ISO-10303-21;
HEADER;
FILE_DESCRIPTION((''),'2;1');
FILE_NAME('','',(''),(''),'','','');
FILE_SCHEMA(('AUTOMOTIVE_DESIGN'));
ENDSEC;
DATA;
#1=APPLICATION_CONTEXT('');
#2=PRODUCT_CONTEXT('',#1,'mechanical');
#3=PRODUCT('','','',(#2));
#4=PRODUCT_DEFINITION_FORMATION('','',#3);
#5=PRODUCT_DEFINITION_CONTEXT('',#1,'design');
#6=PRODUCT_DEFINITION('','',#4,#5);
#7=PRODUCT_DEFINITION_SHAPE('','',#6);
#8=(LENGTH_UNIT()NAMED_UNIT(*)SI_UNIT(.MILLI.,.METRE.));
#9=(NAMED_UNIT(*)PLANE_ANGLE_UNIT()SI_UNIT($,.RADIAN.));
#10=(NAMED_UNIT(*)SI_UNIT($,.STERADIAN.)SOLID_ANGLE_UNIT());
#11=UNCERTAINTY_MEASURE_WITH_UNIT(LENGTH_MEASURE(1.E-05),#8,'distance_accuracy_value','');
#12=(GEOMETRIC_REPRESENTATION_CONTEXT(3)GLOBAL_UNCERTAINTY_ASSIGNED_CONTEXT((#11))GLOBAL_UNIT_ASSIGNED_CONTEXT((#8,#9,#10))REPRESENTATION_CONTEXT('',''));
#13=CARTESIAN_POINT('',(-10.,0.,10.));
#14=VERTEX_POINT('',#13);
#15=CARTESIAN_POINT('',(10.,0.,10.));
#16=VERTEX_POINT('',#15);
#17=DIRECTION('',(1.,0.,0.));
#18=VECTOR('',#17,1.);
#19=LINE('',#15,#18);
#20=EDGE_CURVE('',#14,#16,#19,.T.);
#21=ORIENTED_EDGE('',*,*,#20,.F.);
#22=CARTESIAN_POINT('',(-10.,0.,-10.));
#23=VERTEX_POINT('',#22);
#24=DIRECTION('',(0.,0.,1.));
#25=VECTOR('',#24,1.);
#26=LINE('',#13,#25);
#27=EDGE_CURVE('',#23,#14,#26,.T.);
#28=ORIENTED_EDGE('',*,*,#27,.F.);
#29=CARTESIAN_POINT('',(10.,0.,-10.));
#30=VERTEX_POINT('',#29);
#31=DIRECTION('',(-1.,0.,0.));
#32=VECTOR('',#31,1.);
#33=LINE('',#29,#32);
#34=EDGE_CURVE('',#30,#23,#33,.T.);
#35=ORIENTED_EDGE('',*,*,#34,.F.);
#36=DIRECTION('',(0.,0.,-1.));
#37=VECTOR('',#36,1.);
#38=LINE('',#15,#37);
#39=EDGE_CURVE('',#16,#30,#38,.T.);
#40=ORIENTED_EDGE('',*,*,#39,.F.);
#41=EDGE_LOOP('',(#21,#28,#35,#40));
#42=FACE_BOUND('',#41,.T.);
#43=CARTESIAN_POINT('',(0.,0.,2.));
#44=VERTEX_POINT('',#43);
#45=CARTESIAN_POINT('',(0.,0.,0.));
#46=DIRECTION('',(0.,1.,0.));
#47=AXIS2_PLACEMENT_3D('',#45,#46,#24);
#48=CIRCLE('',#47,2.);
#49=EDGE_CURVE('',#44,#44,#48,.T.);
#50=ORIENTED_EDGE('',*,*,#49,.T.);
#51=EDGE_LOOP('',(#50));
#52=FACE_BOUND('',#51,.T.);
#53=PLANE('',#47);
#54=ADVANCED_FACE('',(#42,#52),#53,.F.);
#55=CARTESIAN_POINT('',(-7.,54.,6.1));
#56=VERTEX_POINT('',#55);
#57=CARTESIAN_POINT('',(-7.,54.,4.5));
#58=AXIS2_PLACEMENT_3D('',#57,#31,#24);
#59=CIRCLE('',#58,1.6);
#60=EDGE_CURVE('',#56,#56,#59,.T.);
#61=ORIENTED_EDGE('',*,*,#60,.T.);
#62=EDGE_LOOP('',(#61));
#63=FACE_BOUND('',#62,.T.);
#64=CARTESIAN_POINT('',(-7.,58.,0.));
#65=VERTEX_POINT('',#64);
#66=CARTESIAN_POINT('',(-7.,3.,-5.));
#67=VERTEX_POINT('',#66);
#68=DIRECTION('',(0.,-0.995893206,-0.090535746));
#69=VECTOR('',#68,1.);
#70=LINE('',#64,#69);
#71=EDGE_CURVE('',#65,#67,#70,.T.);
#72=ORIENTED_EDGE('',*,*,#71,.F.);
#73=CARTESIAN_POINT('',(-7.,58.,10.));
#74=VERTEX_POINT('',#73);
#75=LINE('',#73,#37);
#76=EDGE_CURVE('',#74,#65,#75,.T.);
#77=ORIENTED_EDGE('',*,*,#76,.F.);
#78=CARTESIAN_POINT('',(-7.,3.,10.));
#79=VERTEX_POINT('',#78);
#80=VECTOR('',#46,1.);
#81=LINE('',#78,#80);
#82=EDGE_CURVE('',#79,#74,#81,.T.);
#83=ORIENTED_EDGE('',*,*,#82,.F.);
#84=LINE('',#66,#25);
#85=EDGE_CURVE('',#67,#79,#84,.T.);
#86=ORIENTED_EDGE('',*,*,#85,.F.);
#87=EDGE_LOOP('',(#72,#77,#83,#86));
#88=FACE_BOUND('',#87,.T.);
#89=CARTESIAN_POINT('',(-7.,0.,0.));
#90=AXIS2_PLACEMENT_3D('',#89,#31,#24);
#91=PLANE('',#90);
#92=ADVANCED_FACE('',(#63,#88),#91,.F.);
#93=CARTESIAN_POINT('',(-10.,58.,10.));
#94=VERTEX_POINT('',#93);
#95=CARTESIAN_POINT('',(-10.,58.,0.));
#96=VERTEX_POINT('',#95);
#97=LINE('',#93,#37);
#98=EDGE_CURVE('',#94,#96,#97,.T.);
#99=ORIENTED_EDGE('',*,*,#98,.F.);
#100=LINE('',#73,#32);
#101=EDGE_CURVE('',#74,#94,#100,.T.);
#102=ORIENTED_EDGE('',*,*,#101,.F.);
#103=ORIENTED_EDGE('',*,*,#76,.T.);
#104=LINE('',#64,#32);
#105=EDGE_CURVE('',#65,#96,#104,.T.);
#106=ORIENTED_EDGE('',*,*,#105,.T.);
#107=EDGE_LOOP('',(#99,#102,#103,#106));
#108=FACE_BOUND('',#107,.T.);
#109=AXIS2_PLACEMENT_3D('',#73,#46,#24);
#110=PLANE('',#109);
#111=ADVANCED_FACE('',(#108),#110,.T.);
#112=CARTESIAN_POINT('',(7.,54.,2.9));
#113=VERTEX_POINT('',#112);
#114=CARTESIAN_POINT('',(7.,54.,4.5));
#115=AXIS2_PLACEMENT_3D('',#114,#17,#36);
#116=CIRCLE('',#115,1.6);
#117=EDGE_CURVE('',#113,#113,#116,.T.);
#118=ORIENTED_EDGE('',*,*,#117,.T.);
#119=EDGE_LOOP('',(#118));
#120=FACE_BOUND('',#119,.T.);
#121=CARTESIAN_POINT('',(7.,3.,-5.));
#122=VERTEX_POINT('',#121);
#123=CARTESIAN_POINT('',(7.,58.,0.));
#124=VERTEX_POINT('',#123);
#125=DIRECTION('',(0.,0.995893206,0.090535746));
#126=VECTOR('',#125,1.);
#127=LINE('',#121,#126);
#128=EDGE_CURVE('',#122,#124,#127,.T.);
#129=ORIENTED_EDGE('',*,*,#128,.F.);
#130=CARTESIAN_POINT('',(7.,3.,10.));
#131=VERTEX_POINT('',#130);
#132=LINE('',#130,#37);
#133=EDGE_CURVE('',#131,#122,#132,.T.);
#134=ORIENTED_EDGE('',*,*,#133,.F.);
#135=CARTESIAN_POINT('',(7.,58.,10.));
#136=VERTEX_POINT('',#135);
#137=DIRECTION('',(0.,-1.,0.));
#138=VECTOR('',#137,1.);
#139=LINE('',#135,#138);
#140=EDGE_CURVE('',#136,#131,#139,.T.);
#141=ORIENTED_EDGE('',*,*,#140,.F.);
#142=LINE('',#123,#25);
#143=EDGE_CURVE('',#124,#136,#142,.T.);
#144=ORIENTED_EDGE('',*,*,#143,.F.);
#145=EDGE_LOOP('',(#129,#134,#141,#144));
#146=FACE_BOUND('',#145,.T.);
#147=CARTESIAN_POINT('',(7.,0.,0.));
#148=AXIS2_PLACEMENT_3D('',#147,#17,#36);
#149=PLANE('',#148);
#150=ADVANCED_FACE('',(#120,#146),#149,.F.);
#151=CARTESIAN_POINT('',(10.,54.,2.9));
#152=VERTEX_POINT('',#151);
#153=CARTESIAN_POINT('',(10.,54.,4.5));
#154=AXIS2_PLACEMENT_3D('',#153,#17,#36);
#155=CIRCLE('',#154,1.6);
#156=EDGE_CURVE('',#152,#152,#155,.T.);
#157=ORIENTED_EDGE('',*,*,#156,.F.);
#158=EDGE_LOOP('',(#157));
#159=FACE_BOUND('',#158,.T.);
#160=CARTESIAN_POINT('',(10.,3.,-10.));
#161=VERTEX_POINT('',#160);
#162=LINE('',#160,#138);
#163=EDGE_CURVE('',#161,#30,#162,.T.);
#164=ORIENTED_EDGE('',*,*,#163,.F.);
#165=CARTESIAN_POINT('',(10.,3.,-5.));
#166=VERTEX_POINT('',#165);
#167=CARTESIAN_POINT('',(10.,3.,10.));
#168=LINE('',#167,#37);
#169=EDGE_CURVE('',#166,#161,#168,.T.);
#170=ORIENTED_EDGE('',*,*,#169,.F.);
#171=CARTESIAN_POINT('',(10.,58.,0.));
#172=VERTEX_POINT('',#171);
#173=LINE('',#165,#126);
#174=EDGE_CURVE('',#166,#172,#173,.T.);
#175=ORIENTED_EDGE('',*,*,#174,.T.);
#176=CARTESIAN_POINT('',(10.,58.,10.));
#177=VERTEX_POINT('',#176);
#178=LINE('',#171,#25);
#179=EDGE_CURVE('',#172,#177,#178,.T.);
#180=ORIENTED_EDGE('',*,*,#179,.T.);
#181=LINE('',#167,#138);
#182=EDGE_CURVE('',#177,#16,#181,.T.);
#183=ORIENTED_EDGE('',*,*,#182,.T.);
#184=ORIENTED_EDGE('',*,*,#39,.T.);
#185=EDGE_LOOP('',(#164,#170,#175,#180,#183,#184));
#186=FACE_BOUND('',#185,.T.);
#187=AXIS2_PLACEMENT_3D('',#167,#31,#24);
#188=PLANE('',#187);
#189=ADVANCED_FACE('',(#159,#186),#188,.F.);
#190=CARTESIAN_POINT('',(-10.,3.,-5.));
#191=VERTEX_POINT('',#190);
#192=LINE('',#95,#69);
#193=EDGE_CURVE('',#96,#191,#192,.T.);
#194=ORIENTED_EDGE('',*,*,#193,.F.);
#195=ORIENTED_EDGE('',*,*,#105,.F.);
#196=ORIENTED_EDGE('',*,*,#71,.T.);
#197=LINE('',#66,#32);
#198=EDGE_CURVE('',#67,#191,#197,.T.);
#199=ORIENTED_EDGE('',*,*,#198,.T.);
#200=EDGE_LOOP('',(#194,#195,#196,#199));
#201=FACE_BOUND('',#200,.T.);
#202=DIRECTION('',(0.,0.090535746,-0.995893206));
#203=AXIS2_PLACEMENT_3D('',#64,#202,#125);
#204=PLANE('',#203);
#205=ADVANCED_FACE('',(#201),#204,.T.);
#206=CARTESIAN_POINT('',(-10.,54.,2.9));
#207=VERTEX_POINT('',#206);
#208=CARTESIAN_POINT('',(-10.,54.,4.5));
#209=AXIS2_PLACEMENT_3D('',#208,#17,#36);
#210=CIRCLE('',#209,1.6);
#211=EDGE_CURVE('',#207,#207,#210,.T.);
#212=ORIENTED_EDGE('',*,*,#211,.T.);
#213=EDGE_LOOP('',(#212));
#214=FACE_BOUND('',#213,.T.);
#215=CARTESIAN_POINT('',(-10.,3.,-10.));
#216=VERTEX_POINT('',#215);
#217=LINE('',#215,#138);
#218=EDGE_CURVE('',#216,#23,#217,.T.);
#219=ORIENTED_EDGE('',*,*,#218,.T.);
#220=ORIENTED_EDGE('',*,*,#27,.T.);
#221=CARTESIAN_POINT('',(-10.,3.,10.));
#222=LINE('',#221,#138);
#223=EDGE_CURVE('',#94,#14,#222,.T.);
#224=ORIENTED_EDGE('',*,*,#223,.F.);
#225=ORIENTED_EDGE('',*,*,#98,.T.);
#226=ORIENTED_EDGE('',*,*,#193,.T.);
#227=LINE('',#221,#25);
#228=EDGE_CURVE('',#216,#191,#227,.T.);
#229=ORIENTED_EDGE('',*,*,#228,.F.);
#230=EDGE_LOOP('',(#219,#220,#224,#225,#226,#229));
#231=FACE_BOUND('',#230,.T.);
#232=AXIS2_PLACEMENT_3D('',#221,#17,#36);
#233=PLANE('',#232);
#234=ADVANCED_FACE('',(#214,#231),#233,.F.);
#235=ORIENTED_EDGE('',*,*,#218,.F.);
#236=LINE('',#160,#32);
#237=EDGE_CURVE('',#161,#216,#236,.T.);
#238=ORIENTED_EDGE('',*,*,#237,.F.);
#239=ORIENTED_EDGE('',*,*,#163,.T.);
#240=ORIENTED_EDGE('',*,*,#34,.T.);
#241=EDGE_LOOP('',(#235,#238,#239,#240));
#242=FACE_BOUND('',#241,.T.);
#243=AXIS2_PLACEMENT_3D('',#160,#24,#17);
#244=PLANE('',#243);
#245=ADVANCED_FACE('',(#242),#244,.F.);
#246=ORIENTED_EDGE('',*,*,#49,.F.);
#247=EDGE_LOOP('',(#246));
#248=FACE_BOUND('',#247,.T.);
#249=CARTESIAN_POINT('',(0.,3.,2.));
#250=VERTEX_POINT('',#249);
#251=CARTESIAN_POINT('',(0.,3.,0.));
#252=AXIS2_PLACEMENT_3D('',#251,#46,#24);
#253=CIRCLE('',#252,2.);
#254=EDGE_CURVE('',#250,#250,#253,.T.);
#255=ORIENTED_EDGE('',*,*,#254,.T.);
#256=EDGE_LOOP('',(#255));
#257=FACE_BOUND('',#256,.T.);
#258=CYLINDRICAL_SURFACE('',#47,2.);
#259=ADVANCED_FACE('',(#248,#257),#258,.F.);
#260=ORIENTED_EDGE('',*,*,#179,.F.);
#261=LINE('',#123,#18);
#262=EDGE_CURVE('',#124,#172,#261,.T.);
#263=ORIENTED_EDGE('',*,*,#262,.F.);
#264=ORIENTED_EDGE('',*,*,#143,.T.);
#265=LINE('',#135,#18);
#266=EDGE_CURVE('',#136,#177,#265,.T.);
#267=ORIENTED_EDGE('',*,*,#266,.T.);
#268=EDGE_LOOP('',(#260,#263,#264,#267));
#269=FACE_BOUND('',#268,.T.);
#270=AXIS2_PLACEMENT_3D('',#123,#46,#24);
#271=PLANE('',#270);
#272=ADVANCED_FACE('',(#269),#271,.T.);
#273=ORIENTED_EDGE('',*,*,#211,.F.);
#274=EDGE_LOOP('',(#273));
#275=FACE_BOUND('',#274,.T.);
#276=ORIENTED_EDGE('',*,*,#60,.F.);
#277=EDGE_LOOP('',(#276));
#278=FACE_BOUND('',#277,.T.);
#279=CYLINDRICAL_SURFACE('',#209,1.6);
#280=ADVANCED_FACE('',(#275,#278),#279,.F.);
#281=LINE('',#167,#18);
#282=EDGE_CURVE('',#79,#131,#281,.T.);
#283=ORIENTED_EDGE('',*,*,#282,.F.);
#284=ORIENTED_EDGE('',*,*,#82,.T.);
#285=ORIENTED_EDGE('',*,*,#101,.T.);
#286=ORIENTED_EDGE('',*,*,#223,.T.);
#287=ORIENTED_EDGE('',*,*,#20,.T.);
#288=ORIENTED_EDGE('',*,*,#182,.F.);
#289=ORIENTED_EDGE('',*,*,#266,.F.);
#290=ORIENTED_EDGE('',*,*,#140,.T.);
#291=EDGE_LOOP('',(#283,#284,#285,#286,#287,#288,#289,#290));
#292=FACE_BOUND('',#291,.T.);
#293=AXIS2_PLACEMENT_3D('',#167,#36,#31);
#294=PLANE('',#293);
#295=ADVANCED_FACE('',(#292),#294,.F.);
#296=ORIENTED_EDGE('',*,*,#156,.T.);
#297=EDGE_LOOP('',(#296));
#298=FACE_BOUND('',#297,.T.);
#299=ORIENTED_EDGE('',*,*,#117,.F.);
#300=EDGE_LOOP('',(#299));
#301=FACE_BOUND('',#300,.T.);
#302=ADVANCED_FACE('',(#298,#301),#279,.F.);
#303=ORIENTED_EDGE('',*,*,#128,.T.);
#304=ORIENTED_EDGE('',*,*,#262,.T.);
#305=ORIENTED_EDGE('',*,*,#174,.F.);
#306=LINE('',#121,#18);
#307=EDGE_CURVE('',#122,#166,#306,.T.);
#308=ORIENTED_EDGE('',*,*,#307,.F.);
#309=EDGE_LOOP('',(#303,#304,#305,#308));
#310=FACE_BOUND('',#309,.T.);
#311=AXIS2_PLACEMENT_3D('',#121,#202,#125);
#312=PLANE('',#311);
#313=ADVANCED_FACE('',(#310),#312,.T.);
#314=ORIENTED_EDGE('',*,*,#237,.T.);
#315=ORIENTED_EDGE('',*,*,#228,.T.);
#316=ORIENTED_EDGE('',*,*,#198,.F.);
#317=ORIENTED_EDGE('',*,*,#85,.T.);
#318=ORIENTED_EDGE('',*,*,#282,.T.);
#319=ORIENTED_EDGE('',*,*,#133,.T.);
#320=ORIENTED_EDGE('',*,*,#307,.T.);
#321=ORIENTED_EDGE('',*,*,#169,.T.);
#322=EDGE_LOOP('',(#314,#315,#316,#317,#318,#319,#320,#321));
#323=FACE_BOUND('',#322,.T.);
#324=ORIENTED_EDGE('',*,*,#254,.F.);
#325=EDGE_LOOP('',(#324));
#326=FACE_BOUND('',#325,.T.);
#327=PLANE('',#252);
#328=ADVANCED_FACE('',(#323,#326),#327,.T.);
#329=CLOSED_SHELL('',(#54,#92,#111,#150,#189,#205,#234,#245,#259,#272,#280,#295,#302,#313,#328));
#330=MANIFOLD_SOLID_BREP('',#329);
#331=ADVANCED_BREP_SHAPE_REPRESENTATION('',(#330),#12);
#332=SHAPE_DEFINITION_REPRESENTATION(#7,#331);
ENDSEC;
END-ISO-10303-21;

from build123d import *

# Parameters (mm, degrees)
SKETCH_1_W          = 20
SKETCH_1_H          = 20
EXTRUDE_1_DEPTH     = 3
EXTRUDE_2_DEPTH     = 3
EXTRUDE_3_DEPTH     = 3
SKETCH_6_R          = 1.6
CUT_EXTRUDE_1_DEPTH = 21
SKETCH_8_R          = 2
CUT_EXTRUDE_2_DEPTH = 4


with BuildPart() as part:
    # 草图1 → 凸台-拉伸1 (new body)
    with BuildSketch(Plane(origin=(0, 0, 0), x_dir=(1, 0, 0), z_dir=(0, 1, 0))):
        Rectangle(SKETCH_1_W, SKETCH_1_H)
    extrude(amount=EXTRUDE_1_DEPTH)

    # 草图4 → 凸台-拉伸2 (add)
    with BuildSketch(Plane.ZY.offset(10)):
        Polygon((10, 3), (10, 58), (0, 58), (-5, 3), align=None)
    extrude(amount=-EXTRUDE_2_DEPTH)

    # 草图5 → 凸台-拉伸3 (add)
    with BuildSketch(Plane(origin=(10, 0, 0), x_dir=(0, 0, -1), z_dir=(1, 0, 0))):
        Polygon((-10, 3), (5, 3), (0, 58), (-10, 58), align=None)
    extrude(amount=-EXTRUDE_3_DEPTH)

    # 草图6 → 切除-拉伸1 (cut, through all)
    with BuildSketch(Plane(origin=(10, 0, 0), x_dir=(0, 0, -1), z_dir=(1, 0, 0))):
        with Locations((-4.5, 54)):
            Circle(SKETCH_6_R)
    extrude(amount=-CUT_EXTRUDE_1_DEPTH, mode=Mode.SUBTRACT)

    # 草图8 → 切除-拉伸2 (cut, through all)
    with BuildSketch(Plane(origin=(0, 3, 0), x_dir=(1, 0, 0), z_dir=(0, 1, 0))):
        Circle(SKETCH_8_R)
    extrude(amount=-CUT_EXTRUDE_2_DEPTH, mode=Mode.SUBTRACT)


solid = part.part
